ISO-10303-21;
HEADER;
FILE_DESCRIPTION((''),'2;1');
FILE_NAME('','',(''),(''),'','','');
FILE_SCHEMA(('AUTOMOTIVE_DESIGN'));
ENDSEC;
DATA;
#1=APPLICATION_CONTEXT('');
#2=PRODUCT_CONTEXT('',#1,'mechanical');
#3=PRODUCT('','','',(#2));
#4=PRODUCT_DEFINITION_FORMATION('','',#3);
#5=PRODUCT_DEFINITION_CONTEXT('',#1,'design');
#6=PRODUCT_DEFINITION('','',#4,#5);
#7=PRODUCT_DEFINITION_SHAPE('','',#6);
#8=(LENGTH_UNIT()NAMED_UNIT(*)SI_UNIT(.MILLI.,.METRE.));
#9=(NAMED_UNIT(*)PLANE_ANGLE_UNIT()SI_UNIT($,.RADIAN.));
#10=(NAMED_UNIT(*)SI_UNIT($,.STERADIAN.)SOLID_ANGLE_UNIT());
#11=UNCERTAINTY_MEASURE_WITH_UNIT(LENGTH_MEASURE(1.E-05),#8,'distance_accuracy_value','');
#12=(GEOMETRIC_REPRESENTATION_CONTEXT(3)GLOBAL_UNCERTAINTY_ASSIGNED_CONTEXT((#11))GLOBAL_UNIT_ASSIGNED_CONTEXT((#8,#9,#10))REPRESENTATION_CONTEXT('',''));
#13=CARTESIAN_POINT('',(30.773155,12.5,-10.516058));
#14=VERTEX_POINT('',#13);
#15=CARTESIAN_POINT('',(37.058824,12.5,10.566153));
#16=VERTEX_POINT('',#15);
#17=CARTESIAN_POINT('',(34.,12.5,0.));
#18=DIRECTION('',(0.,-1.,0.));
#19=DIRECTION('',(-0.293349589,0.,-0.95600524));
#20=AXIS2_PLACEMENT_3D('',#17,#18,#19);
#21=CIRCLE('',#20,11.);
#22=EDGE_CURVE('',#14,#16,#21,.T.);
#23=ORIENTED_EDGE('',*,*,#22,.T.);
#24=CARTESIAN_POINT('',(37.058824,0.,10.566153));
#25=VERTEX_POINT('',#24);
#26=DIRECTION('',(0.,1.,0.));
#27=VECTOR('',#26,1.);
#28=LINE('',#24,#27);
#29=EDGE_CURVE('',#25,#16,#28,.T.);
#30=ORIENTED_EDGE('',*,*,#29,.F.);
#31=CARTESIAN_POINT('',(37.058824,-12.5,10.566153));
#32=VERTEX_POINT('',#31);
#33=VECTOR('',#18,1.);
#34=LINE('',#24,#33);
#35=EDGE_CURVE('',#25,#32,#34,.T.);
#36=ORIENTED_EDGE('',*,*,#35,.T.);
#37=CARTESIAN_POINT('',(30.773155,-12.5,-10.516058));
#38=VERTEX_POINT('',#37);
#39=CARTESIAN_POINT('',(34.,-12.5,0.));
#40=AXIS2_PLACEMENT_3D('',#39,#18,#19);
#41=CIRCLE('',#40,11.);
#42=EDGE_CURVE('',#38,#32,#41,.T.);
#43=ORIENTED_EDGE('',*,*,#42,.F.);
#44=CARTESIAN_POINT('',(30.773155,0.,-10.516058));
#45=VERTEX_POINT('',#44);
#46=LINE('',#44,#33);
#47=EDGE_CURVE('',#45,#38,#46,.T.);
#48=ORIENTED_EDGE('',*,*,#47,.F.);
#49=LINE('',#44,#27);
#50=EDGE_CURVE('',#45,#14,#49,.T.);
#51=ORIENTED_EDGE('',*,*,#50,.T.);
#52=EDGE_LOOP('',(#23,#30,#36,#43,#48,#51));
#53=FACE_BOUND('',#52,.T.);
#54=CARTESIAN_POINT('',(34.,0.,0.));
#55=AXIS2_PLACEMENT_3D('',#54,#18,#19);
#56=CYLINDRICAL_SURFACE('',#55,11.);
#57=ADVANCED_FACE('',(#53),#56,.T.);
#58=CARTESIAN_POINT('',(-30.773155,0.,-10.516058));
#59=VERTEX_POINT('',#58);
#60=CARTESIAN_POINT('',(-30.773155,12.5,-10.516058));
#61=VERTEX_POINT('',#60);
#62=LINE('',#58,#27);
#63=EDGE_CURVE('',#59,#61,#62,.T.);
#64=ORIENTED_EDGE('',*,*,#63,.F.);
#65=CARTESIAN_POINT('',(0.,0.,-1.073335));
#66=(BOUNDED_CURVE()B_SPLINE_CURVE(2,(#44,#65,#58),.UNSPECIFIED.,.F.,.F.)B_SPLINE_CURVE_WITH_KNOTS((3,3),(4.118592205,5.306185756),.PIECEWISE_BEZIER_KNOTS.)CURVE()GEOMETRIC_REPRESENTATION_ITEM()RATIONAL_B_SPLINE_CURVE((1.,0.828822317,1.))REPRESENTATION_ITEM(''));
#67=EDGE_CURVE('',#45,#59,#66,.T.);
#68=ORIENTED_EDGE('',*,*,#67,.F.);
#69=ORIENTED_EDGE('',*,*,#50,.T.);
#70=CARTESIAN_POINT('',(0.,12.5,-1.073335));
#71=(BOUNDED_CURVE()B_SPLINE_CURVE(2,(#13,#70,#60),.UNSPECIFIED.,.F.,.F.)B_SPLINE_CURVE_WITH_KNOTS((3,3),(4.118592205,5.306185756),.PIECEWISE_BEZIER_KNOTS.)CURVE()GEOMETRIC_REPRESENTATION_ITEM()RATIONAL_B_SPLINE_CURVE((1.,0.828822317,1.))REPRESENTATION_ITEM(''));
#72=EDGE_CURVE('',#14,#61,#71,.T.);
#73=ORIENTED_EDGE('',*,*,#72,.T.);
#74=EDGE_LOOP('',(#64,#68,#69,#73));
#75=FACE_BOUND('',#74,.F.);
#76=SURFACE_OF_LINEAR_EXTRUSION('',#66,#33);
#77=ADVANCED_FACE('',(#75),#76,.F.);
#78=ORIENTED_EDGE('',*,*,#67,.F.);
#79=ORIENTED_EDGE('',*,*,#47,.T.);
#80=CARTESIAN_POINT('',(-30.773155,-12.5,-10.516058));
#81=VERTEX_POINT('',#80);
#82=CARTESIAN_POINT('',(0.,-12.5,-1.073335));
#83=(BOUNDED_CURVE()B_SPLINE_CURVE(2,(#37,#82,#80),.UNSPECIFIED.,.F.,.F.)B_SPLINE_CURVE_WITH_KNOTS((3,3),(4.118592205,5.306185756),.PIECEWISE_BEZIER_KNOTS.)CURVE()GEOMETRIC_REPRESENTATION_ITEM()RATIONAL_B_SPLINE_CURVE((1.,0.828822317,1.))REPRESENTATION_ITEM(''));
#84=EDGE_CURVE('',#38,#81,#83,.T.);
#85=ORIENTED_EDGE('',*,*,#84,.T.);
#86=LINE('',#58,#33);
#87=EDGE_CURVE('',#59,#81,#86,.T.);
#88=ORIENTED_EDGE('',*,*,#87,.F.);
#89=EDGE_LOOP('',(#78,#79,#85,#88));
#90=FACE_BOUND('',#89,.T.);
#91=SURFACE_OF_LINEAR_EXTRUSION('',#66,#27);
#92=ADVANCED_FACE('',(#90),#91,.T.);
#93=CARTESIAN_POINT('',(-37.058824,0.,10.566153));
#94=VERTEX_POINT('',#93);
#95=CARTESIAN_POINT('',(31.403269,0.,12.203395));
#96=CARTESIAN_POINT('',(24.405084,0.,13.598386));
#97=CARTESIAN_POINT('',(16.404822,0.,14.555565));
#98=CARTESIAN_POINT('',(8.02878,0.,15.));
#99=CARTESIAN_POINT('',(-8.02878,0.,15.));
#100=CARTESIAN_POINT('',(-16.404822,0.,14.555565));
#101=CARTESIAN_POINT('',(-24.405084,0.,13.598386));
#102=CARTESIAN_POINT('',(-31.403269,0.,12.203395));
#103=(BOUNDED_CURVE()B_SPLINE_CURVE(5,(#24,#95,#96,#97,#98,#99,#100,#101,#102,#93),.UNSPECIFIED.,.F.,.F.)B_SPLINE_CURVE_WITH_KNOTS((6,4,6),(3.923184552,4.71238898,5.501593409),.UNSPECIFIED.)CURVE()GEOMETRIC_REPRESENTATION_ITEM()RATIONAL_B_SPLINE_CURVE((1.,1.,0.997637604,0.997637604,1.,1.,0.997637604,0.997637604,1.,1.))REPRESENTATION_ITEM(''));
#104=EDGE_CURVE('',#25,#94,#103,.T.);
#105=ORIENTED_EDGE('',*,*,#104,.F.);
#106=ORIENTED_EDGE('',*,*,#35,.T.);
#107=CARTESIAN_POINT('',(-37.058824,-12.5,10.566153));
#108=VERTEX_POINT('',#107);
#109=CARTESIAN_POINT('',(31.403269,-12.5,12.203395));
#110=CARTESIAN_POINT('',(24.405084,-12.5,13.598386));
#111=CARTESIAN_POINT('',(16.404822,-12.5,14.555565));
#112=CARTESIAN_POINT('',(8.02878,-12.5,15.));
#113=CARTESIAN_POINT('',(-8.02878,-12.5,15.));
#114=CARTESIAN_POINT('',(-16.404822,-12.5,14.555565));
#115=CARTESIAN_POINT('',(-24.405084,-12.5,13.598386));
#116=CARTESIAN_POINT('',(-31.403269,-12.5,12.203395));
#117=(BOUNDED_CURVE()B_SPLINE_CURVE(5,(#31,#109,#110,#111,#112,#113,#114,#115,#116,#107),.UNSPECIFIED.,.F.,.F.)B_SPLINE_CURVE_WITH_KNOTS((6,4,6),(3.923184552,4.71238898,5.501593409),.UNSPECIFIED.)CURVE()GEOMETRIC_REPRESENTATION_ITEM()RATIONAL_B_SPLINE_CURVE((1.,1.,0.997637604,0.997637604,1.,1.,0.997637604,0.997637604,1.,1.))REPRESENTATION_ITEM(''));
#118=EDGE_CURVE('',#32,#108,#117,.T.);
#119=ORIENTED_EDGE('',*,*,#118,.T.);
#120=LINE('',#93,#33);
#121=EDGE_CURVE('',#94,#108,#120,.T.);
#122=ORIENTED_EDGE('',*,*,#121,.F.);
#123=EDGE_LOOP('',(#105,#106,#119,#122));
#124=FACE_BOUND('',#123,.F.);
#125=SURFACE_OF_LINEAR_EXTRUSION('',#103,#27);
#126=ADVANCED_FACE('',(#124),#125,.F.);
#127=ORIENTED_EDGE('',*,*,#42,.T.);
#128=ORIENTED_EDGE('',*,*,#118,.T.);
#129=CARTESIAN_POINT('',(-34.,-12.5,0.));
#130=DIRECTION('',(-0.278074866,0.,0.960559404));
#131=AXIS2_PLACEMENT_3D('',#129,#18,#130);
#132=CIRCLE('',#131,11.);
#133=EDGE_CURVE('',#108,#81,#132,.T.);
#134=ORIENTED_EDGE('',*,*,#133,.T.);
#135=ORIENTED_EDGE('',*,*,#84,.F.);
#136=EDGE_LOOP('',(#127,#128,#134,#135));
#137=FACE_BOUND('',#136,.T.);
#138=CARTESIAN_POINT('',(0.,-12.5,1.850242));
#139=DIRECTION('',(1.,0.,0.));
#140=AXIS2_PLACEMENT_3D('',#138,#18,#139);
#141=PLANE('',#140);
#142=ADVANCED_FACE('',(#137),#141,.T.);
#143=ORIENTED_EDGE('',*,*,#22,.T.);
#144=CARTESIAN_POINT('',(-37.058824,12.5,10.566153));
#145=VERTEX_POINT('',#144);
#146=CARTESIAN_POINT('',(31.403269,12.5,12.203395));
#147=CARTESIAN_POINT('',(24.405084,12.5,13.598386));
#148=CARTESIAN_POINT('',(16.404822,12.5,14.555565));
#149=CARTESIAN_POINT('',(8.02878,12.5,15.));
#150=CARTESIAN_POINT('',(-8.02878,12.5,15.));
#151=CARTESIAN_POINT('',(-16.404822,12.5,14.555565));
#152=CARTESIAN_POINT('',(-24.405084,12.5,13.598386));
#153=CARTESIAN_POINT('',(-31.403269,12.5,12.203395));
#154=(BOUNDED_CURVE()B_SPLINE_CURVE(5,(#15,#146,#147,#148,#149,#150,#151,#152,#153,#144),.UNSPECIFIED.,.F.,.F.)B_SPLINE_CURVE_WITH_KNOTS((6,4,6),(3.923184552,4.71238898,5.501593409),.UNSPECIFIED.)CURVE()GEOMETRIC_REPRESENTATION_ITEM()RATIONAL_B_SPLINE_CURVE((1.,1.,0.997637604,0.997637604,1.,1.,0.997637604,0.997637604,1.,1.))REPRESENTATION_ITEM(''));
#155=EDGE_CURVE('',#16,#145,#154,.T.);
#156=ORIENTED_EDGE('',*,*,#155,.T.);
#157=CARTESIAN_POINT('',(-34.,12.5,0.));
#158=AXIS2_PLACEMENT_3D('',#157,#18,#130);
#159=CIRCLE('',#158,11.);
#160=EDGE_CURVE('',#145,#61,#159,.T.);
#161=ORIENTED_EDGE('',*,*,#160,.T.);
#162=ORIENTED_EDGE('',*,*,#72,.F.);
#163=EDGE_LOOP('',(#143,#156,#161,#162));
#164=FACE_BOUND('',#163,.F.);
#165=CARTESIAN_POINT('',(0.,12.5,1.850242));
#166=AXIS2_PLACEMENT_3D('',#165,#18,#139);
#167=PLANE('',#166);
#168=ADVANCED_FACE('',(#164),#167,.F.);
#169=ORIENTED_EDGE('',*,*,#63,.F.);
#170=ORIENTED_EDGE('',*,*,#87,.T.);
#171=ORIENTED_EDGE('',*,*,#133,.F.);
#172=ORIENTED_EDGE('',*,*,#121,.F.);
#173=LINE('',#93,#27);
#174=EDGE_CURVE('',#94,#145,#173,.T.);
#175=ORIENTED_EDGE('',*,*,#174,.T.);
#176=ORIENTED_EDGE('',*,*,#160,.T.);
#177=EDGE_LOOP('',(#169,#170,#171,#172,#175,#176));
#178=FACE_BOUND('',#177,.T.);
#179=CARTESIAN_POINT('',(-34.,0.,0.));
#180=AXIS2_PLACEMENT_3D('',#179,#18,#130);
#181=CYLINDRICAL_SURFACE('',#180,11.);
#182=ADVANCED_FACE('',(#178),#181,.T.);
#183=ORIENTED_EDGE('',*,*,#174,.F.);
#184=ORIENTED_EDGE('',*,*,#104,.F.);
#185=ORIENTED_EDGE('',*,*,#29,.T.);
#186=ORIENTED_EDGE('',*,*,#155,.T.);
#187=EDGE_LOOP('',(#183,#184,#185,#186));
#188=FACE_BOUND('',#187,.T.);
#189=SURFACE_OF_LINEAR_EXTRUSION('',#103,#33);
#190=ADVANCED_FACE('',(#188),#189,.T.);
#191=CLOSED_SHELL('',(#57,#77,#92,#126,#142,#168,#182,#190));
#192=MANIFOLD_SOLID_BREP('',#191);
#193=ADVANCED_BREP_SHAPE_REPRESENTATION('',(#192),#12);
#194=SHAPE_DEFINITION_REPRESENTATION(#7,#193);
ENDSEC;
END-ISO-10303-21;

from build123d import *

# Parameters (mm, degrees)
F1_DEPTH = 12.5


with BuildPart() as f1:
    # F0 (on Front) → F1 (new body, symmetric)
    with BuildSketch(Plane.XZ):
        with BuildLine():
            ThreePointArc((30.7731545251, -10.5160576397), (44.541440314, -3.1429343145), (37.0588235294, 10.5661534447))
            add(Edge.make_bspline(
                [(37.0588235294, 10.5661534447), (21.7429013772, 15), (0, 15)],
                knots=[3.9231845519, 3.9231845519, 3.9231845519, 4.7123889804, 4.7123889804, 4.7123889804], degree=2, weights=[1, 0.9231495625, 1]))
            add(Edge.make_bspline(
                [(0, 15), (-21.7429013772, 15), (-37.0588235294, 10.5661534447)],
                knots=[4.7123889804, 4.7123889804, 4.7123889804, 5.5015934089, 5.5015934089, 5.5015934089], degree=2, weights=[1, 0.9231495625, 1]))
            ThreePointArc((-37.0588235294, 10.5661534447), (-44.541440314, -3.1429343145), (-30.7731545251, -10.5160576397))
            add(Edge.make_bspline(
                [(30.7731545251, -10.5160576397), (0, -1.0733351071), (-30.7731545251, -10.5160576397)],
                knots=[4.1185922049, 4.1185922049, 4.1185922049, 5.3061857559, 5.3061857559, 5.3061857559], degree=2, weights=[1, 0.8288223171, 1]))
        make_face()
    extrude(amount=F1_DEPTH, both=True)


solid = f1.part
